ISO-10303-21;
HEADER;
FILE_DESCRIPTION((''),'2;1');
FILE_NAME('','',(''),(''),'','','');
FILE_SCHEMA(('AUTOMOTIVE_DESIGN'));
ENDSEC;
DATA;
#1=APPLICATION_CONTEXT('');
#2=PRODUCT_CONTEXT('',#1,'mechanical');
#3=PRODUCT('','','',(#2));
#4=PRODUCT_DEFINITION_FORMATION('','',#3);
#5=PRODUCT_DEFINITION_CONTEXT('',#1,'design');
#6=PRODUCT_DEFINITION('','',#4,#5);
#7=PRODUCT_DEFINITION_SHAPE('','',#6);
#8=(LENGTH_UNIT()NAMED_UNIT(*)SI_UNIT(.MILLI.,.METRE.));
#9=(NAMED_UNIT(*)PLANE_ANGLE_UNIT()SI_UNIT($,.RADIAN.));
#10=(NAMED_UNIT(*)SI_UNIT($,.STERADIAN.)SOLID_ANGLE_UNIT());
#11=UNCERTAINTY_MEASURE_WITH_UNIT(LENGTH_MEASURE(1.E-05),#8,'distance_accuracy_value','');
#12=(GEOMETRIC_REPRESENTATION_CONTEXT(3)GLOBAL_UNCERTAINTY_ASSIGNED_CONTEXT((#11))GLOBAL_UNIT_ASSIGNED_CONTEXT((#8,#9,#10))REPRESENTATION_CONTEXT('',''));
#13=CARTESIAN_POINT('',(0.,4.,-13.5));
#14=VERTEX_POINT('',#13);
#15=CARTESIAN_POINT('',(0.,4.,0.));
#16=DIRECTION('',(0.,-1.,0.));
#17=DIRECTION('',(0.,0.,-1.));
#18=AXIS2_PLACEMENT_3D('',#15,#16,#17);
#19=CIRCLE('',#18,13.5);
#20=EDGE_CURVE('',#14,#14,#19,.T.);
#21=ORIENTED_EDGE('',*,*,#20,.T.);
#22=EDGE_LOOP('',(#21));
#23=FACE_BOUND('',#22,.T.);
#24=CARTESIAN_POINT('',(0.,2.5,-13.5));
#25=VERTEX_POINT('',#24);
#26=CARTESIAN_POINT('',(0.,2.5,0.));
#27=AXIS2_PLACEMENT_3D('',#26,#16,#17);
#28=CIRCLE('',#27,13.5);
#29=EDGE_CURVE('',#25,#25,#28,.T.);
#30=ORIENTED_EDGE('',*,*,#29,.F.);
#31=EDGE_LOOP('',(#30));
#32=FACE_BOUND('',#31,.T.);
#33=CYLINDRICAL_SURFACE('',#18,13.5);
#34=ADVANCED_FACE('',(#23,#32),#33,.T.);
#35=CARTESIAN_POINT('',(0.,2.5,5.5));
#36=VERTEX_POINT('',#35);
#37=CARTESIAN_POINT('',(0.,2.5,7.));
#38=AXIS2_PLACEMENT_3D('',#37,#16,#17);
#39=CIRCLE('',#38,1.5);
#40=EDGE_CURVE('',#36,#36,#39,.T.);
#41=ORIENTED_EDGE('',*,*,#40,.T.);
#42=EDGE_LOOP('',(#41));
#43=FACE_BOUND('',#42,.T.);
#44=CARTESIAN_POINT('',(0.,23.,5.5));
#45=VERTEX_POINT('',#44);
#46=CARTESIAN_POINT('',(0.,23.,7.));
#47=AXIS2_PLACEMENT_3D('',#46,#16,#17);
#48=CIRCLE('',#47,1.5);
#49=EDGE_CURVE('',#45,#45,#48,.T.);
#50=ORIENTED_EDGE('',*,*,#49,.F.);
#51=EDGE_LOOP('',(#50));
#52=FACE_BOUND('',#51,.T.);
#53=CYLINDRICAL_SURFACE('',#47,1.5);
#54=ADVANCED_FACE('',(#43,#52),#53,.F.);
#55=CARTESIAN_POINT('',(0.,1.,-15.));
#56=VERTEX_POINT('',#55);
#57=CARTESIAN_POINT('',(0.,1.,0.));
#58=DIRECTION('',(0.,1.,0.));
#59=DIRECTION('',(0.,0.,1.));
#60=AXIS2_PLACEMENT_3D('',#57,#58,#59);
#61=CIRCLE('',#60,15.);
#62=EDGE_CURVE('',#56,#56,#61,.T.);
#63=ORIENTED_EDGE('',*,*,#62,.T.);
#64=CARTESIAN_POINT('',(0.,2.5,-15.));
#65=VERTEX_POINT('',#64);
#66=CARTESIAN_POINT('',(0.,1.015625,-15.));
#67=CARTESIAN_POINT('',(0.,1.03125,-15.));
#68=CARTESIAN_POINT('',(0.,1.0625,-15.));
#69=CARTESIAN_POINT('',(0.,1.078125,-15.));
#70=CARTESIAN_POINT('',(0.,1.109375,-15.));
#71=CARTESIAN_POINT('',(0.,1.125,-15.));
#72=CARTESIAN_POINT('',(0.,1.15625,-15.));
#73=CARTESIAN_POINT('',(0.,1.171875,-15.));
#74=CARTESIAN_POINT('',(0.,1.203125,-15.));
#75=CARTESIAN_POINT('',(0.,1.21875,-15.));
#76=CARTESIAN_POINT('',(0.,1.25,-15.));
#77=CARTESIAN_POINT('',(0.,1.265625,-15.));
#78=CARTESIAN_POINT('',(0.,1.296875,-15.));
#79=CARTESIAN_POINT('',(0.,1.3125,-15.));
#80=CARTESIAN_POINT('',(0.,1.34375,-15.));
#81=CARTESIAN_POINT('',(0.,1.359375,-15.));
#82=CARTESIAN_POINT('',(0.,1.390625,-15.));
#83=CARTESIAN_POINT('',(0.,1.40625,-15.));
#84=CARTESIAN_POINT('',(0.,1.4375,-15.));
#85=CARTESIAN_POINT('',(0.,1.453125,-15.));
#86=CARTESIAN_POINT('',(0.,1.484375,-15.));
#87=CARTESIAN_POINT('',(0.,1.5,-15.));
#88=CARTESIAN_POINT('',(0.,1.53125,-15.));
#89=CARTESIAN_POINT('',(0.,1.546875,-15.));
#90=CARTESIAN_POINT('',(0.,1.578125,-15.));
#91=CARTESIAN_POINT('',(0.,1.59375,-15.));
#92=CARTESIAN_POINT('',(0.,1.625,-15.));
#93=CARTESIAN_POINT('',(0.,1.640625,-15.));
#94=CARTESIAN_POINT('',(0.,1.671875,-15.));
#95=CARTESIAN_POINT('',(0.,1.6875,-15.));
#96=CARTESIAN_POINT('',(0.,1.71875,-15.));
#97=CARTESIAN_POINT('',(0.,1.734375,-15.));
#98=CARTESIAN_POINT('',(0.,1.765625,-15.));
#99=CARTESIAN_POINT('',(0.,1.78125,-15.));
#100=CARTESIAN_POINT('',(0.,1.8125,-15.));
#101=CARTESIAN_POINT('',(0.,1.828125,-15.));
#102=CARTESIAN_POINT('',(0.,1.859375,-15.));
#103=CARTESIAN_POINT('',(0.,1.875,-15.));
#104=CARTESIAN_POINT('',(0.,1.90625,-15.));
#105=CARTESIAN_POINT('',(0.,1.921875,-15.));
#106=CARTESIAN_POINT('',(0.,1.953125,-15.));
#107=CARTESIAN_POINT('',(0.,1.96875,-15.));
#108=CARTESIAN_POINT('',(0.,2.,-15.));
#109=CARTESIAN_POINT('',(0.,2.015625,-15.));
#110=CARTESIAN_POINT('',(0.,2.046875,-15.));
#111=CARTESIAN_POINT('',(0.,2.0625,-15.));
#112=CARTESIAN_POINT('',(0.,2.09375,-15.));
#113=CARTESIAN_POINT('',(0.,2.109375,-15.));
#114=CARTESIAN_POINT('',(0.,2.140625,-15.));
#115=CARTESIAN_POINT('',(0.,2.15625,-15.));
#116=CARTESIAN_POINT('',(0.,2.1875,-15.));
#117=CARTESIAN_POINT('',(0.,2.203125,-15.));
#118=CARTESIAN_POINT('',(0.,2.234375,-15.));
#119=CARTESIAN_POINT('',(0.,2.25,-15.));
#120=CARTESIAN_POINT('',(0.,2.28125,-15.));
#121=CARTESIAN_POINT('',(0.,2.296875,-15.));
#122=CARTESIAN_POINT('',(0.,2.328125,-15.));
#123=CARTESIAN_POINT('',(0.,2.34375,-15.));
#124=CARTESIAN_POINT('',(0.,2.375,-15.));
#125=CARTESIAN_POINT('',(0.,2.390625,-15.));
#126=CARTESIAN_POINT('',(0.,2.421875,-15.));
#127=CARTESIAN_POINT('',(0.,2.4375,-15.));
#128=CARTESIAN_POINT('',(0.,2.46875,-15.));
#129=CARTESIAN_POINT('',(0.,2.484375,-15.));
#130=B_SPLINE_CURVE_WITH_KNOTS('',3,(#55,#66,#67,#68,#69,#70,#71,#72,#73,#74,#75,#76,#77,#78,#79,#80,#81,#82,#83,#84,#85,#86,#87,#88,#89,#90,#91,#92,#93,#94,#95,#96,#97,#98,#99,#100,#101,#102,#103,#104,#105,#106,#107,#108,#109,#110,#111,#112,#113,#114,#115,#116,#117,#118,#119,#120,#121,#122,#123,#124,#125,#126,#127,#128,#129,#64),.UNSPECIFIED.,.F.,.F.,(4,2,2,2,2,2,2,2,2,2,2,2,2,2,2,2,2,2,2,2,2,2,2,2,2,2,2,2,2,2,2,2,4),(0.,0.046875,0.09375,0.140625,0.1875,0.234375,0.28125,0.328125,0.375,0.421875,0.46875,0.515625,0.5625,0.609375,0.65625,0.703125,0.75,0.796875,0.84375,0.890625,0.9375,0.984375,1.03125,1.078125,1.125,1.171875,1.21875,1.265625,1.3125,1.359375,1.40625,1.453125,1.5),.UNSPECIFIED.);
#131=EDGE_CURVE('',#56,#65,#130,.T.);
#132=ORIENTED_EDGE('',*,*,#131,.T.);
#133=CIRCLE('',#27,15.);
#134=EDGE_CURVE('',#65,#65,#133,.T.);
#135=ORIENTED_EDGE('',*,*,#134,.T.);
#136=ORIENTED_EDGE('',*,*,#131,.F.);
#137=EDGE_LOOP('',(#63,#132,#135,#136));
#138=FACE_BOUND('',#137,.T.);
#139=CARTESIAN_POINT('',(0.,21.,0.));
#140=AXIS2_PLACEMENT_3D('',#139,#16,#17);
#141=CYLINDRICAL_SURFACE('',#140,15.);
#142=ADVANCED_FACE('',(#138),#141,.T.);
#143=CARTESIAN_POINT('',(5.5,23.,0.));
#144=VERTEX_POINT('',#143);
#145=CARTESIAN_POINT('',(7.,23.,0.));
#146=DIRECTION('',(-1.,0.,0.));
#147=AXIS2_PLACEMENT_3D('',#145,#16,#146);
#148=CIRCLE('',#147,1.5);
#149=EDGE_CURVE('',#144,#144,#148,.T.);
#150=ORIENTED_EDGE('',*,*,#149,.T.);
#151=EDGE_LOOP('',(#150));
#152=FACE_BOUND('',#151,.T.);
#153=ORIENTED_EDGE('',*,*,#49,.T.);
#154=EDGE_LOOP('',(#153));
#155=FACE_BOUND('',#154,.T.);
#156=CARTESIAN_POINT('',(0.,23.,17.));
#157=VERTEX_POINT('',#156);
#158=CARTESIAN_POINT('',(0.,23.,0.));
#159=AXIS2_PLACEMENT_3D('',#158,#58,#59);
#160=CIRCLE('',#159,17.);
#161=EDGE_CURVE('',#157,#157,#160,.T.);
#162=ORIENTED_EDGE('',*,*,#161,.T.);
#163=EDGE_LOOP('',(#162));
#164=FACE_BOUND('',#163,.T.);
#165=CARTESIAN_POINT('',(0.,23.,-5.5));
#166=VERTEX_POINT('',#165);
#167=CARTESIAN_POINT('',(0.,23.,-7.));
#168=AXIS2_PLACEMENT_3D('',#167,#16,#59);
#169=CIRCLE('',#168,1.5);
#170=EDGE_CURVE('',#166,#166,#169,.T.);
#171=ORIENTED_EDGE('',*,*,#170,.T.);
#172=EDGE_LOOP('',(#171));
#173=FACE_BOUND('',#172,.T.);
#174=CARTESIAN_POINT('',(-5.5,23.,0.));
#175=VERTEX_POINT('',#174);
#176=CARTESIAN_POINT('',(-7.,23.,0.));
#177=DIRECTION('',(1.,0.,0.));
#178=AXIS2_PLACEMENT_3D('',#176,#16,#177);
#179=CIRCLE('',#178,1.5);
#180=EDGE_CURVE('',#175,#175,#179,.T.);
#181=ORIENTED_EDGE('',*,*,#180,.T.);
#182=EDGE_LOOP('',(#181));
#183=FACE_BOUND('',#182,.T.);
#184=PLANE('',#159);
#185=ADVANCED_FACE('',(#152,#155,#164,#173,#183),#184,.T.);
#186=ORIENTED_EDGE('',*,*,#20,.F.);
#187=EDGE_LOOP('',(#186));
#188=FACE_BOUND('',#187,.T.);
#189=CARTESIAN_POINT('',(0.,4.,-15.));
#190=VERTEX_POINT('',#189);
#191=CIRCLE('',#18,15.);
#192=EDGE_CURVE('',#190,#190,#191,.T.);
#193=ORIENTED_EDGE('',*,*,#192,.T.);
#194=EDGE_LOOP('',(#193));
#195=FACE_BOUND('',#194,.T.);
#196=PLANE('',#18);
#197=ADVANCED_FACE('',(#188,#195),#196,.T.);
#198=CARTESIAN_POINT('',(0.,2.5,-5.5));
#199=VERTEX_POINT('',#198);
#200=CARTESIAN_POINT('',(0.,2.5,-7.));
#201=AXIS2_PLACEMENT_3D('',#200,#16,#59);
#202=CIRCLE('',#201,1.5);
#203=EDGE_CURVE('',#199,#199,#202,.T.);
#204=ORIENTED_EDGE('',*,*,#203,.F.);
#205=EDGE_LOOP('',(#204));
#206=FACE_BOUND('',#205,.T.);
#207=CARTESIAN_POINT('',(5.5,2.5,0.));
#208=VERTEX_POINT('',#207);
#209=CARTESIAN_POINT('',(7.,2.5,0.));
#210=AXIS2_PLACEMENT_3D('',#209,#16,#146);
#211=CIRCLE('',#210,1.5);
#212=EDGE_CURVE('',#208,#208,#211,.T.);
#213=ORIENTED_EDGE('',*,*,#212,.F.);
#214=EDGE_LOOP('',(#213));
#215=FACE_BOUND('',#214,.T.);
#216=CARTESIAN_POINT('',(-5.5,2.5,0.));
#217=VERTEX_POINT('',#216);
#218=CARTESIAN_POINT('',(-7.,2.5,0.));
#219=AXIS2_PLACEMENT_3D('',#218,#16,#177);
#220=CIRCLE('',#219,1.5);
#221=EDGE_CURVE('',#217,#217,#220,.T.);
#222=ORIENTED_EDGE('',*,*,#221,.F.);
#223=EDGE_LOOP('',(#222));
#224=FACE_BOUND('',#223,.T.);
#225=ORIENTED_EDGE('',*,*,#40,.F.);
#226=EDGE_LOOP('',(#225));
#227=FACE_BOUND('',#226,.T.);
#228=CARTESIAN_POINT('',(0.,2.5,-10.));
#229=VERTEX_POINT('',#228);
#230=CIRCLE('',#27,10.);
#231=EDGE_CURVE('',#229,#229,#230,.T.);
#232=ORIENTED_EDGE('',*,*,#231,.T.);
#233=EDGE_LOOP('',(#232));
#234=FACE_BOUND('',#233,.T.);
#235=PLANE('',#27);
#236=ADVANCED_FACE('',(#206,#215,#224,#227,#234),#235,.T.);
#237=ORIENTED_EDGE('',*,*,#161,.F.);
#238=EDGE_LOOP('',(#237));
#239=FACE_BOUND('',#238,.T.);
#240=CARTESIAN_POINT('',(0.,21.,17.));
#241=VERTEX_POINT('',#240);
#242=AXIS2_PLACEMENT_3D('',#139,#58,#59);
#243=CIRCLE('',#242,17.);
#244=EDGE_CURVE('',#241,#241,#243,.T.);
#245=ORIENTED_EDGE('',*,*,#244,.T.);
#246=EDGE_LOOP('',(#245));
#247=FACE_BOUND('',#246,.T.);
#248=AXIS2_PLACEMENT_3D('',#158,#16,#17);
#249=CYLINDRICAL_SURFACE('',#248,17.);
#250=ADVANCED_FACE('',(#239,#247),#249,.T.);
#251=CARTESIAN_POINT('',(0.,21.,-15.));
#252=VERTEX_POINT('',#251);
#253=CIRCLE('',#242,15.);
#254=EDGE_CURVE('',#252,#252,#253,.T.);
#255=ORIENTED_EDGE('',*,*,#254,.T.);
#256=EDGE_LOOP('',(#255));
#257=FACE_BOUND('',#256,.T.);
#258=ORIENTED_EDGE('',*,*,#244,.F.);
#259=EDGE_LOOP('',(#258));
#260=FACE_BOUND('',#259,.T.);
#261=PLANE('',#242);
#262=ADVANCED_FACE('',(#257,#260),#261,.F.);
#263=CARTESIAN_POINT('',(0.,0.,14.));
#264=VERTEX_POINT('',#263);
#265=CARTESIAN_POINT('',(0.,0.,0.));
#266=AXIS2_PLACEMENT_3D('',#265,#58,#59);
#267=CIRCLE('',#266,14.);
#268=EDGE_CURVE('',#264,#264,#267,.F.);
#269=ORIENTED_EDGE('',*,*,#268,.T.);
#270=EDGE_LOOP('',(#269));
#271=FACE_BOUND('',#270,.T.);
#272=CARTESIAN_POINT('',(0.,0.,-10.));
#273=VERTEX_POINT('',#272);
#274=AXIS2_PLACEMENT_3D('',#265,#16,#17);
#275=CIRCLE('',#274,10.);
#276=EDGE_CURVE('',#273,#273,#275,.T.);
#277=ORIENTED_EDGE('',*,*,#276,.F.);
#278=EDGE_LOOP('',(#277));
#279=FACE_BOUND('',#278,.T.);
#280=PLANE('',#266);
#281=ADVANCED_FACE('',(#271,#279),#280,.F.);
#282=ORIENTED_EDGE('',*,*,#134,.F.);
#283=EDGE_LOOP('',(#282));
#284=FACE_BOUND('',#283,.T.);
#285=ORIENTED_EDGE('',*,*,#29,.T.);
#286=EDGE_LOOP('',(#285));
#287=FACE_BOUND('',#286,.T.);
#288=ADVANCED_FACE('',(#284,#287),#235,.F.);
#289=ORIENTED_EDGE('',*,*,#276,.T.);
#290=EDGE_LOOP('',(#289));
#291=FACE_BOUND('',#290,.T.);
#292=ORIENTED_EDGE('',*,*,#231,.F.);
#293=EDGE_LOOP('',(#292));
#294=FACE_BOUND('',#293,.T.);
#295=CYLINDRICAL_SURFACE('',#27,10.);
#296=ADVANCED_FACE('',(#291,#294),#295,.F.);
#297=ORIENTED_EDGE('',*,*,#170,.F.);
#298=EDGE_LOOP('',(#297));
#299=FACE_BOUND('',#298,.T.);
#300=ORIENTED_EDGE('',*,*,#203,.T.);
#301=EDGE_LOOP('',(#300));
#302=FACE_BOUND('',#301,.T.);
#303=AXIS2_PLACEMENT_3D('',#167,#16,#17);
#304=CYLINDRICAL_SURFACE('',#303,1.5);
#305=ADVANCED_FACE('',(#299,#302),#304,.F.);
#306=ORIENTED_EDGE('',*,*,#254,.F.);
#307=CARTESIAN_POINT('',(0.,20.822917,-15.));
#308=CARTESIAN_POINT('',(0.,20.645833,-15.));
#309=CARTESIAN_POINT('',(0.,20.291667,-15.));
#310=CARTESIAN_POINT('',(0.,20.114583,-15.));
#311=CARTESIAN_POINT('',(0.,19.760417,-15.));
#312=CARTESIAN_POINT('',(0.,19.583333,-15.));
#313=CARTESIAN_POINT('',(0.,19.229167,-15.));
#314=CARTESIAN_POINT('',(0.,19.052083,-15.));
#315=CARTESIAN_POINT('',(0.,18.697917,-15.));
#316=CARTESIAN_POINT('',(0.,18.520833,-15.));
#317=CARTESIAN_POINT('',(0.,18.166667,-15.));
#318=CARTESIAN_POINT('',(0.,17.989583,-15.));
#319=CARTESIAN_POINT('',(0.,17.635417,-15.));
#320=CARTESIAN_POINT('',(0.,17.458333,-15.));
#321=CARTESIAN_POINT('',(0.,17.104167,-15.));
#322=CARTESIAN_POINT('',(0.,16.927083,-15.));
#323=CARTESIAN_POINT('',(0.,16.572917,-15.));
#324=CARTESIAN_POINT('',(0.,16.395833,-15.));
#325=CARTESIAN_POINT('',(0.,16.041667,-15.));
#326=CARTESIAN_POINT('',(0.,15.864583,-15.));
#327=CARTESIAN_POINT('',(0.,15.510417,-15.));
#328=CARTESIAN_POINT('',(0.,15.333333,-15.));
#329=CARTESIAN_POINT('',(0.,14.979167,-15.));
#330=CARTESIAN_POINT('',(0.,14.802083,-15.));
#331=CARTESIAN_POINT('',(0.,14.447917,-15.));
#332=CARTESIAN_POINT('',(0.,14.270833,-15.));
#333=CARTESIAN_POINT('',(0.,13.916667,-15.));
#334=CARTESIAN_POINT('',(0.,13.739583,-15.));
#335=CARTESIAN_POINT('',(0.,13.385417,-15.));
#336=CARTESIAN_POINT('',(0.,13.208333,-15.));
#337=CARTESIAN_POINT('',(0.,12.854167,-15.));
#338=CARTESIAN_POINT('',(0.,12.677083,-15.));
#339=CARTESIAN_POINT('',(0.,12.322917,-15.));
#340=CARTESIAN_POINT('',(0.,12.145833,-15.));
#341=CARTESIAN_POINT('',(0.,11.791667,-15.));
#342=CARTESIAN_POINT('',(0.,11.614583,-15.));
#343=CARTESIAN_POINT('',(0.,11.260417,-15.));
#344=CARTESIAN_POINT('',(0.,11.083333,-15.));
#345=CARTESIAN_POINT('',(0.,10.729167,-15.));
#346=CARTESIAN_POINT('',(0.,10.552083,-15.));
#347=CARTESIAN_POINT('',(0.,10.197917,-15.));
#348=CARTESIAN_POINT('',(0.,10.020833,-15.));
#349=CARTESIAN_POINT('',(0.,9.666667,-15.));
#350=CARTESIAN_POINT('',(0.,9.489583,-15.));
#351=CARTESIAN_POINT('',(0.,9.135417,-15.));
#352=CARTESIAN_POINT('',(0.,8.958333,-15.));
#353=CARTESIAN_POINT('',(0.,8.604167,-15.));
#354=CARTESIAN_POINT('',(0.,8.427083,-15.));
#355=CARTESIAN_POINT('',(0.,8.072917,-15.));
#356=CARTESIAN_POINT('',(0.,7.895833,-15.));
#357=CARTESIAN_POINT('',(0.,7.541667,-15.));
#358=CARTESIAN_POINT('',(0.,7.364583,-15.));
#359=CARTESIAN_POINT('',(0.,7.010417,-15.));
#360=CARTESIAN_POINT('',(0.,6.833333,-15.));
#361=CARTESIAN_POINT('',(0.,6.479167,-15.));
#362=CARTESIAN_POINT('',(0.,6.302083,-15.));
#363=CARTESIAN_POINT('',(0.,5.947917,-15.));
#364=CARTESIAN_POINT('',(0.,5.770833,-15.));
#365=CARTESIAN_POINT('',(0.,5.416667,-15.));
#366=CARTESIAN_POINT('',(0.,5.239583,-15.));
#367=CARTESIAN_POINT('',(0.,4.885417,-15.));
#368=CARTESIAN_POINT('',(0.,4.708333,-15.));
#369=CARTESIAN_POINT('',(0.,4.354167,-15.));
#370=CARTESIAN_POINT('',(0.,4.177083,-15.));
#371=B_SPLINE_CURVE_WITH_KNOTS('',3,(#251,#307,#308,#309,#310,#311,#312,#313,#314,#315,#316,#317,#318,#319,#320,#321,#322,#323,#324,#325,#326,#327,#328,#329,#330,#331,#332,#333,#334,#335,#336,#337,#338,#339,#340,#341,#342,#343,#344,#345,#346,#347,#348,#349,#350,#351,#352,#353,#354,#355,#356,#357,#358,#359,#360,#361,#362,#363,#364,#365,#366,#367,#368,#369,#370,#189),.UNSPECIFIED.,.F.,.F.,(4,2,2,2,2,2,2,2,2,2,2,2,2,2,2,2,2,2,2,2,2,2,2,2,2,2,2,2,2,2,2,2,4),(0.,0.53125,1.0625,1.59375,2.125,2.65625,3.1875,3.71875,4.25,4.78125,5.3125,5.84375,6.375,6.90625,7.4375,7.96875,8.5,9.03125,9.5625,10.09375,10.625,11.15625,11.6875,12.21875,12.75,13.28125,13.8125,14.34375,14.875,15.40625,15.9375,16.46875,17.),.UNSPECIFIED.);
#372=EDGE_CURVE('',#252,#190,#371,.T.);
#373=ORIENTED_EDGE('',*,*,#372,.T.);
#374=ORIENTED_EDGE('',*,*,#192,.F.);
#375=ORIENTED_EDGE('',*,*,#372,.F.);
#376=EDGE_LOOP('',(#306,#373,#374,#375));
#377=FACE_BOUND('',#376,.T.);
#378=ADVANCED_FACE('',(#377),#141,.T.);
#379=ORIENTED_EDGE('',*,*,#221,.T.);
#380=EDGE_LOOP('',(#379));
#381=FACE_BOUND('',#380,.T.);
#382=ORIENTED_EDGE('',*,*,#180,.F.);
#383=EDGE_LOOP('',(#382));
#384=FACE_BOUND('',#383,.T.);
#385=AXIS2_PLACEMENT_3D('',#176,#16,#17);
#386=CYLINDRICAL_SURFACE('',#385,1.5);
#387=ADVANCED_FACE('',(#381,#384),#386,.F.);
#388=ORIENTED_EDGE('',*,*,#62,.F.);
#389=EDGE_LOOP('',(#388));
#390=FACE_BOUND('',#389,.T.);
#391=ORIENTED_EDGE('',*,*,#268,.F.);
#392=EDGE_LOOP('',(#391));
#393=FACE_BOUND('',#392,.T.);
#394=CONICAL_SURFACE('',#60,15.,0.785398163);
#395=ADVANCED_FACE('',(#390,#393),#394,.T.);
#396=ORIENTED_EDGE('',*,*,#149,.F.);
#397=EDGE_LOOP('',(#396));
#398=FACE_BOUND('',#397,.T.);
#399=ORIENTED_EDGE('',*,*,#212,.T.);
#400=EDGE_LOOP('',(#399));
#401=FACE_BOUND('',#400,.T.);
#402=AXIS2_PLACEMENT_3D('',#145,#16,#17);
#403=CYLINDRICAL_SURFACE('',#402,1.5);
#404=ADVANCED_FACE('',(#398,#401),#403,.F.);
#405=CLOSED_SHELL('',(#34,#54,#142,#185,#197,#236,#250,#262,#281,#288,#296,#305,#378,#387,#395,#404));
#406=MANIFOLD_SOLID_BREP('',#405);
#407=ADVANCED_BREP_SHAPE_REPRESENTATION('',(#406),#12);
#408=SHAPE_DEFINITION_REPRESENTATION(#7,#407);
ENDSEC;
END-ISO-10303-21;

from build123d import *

# Parameters (mm, degrees)
SKETCH_1_R               = 15
EXTRUDE_1_DEPTH          = 21
SKETCH_2_R               = 10
CUT_EXTRUDE_2_DEPTH      = 2.5
SKETCH_5_R               = 15
SKETCH_5_R_2             = 13.5
CUT_EXTRUDE_5_DEPTH      = 1.5
CHAMFER_1_SIZE           = 1
SKETCH_6_R               = 17
EXTRUDE_2_DEPTH          = 2
SKETCH_4_R               = 1.5
CUT_EXTRUDE_6_DEPTH      = 32.595094556
PATTERN_CIRCULAR_1_COUNT = 4


with BuildPart() as part:
    # Эскиз1 → Бобышка-Вытянуть1 (new body)
    with BuildSketch(Plane(origin=(0, 0, 0), x_dir=(1, 0, 0), z_dir=(0, 1, 0))):
        with Locations(Location((0, 0, 0), (0, 0, 90))):
            Circle(SKETCH_1_R)
    extrude(amount=EXTRUDE_1_DEPTH)

    # Эскиз2 → Вырез-Вытянуть2 (cut)
    with BuildSketch(Plane.XZ):
        with Locations(Location((0, 0, 0), (0, 0, 270))):
            Circle(SKETCH_2_R)
    extrude(amount=-CUT_EXTRUDE_2_DEPTH, mode=Mode.SUBTRACT)

    # Эскиз5 → Вырез-Вытянуть5 (cut)
    with BuildSketch(Plane(origin=(0, 2.5, 0), x_dir=(-1, 0, 0), z_dir=(0, -1, 0))):
        with Locations(Location((0, 0, 0), (0, 0, 90))):
            Circle(SKETCH_5_R)
        with Locations(Location((0, 0, 0), (0, 0, 90))):
            Circle(SKETCH_5_R_2, mode=Mode.SUBTRACT)
    extrude(amount=-CUT_EXTRUDE_5_DEPTH, mode=Mode.SUBTRACT)

    # Фаска1
    chamfer_1_edges = [part.edges().sort_by_distance(p)[0] for p in [
        (0, 0, 15),
    ]]
    chamfer(chamfer_1_edges, length=CHAMFER_1_SIZE)

    # Эскиз6 → Бобышка-Вытянуть2 (add)
    with BuildSketch(Plane(origin=(0, 21, 0), x_dir=(1, 0, 0), z_dir=(0, 1, 0))):
        with Locations(Location((0, 0, 0), (0, 0, 270))):
            Circle(SKETCH_6_R)
    extrude(amount=EXTRUDE_2_DEPTH)

    # Эскиз4 → Вырез-Вытянуть6 (cut, through all)
    with BuildSketch(Plane.XZ.offset(-2.5)):
        with Locations(Location((0, 7, 0), (0, 0, 270))):
            Circle(SKETCH_4_R)
    cut_extrude_6 = extrude(amount=-CUT_EXTRUDE_6_DEPTH, mode=Mode.SUBTRACT)

    # Круговой массив1: Вырез-Вытянуть6 ×4 about axis
    pattern_circular_1_axis = Axis((0, 0, 0), (0, 1, 0))
    for i in range(1, PATTERN_CIRCULAR_1_COUNT):
        add(cut_extrude_6.rotate(pattern_circular_1_axis, i * 360 / PATTERN_CIRCULAR_1_COUNT), mode=Mode.SUBTRACT)


solid = part.part
